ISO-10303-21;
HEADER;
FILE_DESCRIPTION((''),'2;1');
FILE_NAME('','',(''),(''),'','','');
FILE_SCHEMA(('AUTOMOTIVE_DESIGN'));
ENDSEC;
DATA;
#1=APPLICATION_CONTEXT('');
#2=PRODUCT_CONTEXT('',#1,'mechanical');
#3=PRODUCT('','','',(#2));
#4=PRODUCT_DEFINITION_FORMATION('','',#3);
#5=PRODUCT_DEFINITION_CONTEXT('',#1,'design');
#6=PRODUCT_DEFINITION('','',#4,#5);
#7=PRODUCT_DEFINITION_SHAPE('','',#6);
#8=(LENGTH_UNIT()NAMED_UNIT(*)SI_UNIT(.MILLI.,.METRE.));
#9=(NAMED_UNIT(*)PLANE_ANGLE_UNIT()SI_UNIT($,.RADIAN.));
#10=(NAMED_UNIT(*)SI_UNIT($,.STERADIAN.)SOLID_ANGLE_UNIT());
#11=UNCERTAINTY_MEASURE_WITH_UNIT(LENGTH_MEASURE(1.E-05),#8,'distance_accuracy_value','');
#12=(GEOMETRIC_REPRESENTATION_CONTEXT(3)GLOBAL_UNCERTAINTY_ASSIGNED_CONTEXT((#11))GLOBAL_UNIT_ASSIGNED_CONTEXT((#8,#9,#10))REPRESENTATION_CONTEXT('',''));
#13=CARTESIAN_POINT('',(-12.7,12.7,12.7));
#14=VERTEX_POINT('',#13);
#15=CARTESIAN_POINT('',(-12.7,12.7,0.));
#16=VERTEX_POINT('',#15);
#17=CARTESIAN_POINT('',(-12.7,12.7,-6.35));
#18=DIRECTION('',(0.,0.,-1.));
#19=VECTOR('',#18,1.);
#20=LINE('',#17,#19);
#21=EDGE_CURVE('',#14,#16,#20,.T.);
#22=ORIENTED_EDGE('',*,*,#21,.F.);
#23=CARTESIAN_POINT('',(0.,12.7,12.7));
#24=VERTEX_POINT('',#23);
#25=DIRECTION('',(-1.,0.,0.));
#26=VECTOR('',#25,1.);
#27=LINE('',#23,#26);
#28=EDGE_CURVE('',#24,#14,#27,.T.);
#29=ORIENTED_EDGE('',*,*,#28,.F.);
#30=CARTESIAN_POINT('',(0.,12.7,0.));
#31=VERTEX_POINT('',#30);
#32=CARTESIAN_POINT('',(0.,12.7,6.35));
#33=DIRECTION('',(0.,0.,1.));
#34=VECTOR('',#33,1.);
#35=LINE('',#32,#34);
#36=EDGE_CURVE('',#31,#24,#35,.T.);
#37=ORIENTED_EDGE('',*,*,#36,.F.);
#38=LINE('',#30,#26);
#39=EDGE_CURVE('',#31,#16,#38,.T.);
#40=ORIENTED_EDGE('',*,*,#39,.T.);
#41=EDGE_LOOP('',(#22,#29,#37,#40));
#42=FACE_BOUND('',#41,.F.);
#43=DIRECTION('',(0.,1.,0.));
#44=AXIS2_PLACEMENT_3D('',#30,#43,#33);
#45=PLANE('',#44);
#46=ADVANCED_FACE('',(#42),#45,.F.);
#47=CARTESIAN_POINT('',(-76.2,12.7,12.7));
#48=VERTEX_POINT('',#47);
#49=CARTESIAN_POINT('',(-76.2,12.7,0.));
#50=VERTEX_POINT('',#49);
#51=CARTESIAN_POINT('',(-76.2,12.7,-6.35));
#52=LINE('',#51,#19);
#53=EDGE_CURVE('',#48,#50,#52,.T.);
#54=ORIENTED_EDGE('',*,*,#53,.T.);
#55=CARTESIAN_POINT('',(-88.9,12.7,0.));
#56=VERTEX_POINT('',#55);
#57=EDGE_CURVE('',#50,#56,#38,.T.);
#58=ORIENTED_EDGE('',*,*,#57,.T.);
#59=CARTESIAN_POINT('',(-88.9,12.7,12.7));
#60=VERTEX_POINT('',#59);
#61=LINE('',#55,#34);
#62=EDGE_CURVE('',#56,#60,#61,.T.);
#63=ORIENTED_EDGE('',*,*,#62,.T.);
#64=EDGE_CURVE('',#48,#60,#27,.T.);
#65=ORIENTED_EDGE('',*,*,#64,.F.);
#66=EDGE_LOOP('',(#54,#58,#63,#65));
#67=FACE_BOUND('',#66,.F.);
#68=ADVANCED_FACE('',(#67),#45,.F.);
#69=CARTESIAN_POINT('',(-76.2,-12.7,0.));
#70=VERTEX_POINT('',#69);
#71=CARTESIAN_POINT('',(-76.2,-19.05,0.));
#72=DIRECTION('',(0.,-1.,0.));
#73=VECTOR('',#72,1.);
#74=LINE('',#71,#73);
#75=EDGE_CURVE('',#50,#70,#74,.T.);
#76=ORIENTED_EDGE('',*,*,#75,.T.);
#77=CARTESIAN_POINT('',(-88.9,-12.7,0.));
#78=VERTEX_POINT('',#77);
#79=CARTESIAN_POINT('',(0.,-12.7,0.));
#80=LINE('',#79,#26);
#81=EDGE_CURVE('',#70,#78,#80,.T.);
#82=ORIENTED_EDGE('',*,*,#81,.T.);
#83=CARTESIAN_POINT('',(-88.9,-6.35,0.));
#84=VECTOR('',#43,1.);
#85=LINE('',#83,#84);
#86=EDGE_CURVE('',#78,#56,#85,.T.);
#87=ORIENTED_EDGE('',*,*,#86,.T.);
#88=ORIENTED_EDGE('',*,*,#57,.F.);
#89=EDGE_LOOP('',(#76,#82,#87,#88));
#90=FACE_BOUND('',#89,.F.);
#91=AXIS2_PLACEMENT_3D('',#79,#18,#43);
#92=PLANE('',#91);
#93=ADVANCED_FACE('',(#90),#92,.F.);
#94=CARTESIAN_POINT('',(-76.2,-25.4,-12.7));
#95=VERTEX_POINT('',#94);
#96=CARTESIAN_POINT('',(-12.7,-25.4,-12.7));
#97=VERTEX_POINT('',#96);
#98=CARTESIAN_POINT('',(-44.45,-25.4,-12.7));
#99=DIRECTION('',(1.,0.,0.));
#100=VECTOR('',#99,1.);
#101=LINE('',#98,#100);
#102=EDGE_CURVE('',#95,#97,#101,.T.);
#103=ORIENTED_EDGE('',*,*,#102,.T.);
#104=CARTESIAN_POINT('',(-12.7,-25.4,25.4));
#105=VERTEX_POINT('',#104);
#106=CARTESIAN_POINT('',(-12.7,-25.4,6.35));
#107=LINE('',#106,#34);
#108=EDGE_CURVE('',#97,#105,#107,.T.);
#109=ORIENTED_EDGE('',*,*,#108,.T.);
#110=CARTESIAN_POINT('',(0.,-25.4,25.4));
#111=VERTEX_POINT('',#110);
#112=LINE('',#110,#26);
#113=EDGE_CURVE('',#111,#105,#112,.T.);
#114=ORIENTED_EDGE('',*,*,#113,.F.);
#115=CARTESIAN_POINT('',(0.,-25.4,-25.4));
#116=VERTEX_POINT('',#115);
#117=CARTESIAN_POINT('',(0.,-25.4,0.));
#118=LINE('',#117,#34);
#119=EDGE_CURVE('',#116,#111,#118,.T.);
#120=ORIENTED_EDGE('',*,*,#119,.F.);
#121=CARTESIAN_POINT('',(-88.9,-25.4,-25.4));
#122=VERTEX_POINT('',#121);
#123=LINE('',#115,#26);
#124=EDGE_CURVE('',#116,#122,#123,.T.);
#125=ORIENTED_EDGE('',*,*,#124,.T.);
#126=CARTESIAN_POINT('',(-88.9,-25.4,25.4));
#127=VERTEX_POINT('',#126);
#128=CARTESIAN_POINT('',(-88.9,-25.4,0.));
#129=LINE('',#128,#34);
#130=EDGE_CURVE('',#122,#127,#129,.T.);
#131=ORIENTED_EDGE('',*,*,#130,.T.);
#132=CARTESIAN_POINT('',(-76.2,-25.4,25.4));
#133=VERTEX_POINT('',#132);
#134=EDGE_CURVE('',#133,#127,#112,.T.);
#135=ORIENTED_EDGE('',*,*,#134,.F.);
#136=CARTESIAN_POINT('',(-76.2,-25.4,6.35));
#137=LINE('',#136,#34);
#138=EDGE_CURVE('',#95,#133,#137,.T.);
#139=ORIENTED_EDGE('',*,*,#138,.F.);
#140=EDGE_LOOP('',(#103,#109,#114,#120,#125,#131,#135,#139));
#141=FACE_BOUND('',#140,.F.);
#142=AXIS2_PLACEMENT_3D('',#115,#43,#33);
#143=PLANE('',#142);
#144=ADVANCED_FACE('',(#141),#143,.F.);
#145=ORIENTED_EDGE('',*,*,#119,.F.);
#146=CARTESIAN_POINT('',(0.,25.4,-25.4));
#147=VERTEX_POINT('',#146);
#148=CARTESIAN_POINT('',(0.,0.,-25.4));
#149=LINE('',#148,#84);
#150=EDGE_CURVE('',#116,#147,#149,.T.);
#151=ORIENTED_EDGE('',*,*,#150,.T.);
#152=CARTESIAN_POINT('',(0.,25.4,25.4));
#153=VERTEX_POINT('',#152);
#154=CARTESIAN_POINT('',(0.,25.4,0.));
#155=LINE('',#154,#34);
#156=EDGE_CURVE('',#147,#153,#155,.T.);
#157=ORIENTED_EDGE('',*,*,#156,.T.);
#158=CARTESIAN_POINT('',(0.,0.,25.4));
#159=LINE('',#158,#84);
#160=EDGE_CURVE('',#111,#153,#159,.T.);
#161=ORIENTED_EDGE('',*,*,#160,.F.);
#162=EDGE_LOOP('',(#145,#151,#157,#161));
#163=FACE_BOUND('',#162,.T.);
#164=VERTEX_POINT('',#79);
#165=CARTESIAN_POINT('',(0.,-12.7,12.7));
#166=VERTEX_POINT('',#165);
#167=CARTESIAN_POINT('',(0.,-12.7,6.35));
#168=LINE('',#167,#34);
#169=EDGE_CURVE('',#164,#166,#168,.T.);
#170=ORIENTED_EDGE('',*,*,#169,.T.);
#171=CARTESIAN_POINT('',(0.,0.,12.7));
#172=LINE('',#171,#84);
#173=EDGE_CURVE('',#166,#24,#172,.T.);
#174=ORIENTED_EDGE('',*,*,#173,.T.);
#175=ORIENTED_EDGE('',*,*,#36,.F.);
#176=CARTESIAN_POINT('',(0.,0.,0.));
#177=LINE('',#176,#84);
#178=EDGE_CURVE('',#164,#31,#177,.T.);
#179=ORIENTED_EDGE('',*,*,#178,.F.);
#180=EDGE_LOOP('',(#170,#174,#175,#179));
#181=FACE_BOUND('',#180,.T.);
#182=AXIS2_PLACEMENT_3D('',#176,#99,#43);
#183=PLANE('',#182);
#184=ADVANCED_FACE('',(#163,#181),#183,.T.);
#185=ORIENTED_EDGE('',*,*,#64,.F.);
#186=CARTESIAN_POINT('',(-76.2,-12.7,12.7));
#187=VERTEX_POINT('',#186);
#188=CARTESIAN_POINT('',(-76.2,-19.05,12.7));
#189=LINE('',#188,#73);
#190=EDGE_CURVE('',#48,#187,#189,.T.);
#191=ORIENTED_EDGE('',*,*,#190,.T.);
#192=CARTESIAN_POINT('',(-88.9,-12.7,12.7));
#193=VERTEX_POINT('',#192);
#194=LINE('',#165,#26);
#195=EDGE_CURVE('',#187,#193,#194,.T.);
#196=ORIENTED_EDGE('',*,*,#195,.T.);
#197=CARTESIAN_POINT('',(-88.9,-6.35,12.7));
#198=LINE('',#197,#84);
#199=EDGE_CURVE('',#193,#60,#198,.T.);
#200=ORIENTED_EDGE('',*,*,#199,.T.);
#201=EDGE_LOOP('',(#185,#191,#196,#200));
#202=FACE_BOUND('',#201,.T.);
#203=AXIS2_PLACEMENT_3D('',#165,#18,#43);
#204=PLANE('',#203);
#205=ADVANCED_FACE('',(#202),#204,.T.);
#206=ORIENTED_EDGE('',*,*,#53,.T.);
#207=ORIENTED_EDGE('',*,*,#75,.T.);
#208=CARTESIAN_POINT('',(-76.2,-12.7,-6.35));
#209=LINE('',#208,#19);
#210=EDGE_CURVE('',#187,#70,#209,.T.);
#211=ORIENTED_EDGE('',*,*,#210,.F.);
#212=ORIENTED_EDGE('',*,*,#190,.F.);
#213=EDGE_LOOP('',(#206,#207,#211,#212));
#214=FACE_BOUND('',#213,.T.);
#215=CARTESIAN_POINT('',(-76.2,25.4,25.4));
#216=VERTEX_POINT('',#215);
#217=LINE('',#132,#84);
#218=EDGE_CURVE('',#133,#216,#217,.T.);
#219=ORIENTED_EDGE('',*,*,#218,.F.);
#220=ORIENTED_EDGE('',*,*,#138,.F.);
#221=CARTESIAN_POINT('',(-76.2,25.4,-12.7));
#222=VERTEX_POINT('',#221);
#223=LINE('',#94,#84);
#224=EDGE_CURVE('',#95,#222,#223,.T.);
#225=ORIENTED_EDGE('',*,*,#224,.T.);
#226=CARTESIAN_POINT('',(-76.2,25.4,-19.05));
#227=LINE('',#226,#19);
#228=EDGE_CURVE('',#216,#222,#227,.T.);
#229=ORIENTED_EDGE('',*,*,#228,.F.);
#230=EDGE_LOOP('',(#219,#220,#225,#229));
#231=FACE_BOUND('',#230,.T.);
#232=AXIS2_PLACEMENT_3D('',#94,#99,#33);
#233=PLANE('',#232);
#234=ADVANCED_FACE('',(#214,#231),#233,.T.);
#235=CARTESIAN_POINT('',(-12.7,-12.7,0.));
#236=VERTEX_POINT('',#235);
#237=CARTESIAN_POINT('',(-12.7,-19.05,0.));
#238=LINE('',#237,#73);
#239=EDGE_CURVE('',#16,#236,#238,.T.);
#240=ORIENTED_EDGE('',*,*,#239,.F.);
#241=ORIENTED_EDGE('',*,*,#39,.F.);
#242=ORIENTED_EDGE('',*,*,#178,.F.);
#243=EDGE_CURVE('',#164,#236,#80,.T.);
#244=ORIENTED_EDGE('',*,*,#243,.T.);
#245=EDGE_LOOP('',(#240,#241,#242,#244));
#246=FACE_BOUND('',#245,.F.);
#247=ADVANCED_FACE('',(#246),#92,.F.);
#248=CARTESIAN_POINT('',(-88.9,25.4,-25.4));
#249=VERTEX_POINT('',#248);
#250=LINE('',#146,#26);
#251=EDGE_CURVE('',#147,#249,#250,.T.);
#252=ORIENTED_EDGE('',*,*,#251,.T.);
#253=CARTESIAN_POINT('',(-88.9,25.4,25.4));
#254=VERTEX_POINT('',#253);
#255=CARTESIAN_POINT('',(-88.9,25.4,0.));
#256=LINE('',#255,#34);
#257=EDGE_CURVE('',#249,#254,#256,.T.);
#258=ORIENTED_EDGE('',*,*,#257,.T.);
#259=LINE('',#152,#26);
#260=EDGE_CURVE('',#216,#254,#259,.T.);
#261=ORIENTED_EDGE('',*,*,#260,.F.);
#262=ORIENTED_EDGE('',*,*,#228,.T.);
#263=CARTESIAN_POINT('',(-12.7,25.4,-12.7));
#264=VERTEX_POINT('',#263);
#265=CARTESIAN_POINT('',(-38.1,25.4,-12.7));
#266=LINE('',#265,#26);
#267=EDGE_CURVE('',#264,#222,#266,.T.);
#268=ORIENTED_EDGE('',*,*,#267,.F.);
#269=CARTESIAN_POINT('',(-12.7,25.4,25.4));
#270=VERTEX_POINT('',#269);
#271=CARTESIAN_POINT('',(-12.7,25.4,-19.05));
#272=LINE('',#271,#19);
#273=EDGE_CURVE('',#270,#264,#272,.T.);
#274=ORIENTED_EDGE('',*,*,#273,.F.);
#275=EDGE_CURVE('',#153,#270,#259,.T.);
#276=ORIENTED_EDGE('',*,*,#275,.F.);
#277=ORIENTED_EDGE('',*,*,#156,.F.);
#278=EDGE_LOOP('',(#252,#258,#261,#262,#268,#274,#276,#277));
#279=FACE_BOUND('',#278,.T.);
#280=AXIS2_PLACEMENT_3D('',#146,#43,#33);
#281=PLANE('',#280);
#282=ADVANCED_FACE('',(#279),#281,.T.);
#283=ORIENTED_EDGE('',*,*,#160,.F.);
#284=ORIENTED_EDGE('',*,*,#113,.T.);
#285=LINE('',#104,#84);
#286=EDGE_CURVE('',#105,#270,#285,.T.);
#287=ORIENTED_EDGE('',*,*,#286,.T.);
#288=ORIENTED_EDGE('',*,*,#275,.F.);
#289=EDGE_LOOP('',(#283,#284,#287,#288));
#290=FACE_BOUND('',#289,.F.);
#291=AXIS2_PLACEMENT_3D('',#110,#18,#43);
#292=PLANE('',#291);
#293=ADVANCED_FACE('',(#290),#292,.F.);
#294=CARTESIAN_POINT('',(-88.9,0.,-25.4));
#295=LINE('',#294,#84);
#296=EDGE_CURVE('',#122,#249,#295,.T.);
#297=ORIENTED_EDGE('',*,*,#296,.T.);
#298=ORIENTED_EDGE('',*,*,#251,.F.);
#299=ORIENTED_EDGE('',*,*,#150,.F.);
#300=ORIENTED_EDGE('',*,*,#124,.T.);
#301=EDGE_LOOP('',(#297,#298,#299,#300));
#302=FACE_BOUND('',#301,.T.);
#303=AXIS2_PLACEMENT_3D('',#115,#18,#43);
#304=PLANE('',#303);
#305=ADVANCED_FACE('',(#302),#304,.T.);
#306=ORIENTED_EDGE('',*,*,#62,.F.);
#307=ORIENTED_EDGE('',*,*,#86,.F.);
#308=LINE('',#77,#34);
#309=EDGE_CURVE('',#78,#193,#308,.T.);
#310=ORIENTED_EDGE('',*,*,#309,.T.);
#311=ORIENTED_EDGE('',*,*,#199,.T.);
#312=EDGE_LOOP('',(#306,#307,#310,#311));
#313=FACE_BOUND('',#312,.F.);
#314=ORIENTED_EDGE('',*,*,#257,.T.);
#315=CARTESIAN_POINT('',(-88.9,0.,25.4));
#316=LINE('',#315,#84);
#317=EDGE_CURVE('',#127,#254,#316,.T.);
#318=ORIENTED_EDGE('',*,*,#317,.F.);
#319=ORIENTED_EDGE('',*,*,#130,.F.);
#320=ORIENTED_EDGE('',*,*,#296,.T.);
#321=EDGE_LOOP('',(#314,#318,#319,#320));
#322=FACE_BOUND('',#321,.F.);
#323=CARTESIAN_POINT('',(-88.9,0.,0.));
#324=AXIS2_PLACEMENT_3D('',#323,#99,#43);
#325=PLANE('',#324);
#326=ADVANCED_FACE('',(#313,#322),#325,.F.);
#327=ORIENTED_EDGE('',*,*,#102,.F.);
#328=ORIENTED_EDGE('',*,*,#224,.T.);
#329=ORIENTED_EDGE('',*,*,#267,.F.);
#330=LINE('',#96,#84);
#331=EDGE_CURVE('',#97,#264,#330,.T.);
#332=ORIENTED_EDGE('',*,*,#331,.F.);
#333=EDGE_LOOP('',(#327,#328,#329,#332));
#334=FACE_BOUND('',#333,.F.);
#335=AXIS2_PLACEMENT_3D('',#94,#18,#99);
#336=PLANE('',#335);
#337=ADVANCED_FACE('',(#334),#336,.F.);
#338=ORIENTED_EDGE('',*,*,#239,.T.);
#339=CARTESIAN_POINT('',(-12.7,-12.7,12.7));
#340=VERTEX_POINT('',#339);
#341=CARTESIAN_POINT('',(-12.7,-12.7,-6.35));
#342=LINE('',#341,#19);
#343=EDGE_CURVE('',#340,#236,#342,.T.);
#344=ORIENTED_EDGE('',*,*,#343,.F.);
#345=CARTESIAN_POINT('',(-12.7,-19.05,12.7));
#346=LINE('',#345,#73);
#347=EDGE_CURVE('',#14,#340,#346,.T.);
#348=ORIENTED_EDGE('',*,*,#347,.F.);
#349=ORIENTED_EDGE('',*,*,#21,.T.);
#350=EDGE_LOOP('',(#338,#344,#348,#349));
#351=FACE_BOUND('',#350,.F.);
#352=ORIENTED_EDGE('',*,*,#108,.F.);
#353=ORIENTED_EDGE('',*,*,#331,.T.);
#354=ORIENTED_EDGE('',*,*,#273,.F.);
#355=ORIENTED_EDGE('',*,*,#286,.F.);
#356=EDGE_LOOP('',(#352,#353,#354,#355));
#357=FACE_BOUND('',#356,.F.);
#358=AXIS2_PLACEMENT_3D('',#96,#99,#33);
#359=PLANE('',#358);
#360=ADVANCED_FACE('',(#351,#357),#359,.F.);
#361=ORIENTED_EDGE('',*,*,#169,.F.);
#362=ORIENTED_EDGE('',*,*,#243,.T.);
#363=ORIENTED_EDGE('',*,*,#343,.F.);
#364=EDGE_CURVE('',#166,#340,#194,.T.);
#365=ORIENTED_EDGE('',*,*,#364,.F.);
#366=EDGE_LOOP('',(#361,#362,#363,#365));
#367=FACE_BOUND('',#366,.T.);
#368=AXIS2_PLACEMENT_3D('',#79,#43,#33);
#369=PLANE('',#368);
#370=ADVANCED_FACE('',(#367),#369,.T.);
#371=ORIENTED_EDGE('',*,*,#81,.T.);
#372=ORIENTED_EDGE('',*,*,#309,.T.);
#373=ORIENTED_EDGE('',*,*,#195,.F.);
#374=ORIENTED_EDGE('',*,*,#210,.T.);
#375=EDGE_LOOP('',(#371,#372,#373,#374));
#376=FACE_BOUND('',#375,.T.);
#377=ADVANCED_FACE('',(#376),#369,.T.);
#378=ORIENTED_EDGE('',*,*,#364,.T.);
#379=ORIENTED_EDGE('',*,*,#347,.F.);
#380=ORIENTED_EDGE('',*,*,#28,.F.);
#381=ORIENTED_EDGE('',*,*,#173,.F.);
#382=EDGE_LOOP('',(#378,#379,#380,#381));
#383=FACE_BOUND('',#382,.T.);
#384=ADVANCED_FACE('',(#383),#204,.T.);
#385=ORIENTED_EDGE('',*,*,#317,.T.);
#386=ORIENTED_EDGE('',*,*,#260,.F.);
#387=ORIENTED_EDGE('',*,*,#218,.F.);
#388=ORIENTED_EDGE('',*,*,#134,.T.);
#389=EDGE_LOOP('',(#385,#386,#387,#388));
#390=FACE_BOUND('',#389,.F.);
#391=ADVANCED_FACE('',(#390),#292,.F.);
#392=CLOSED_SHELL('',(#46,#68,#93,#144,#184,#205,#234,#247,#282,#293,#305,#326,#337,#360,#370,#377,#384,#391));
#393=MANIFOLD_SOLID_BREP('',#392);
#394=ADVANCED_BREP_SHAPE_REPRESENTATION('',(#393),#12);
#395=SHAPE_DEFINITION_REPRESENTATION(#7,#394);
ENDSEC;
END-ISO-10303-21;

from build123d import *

# Parameters (mm, degrees)
F0_W     = 50.8
F0_H     = 50.8
F2_DEPTH = 88.9
F1_W     = 25.4
F1_H     = 12.7
F3_DEPTH = 88.901
F4_W     = 63.5
F4_H     = 38.1
F5_DEPTH = 50.801


with BuildPart() as f2:
    # F0 (on Right) → F2 (new body)
    with BuildSketch(Plane.YZ):
        Rectangle(F0_W, F0_H)
    extrude(amount=-F2_DEPTH)

    # F1 (on face) → F3 (cut, through all)
    with BuildSketch(Plane.YZ):
        with Locations((0, 6.35)):
            Rectangle(F1_W, F1_H)
    extrude(amount=-F3_DEPTH, mode=Mode.SUBTRACT)

    # F4 (on face) → F5 (cut, through all)
    with BuildSketch(Plane.XZ.offset(25.4)):
        with Locations((-44.45, 6.35)):
            Rectangle(F4_W, F4_H)
    extrude(amount=-F5_DEPTH, mode=Mode.SUBTRACT)


solid = f2.part
